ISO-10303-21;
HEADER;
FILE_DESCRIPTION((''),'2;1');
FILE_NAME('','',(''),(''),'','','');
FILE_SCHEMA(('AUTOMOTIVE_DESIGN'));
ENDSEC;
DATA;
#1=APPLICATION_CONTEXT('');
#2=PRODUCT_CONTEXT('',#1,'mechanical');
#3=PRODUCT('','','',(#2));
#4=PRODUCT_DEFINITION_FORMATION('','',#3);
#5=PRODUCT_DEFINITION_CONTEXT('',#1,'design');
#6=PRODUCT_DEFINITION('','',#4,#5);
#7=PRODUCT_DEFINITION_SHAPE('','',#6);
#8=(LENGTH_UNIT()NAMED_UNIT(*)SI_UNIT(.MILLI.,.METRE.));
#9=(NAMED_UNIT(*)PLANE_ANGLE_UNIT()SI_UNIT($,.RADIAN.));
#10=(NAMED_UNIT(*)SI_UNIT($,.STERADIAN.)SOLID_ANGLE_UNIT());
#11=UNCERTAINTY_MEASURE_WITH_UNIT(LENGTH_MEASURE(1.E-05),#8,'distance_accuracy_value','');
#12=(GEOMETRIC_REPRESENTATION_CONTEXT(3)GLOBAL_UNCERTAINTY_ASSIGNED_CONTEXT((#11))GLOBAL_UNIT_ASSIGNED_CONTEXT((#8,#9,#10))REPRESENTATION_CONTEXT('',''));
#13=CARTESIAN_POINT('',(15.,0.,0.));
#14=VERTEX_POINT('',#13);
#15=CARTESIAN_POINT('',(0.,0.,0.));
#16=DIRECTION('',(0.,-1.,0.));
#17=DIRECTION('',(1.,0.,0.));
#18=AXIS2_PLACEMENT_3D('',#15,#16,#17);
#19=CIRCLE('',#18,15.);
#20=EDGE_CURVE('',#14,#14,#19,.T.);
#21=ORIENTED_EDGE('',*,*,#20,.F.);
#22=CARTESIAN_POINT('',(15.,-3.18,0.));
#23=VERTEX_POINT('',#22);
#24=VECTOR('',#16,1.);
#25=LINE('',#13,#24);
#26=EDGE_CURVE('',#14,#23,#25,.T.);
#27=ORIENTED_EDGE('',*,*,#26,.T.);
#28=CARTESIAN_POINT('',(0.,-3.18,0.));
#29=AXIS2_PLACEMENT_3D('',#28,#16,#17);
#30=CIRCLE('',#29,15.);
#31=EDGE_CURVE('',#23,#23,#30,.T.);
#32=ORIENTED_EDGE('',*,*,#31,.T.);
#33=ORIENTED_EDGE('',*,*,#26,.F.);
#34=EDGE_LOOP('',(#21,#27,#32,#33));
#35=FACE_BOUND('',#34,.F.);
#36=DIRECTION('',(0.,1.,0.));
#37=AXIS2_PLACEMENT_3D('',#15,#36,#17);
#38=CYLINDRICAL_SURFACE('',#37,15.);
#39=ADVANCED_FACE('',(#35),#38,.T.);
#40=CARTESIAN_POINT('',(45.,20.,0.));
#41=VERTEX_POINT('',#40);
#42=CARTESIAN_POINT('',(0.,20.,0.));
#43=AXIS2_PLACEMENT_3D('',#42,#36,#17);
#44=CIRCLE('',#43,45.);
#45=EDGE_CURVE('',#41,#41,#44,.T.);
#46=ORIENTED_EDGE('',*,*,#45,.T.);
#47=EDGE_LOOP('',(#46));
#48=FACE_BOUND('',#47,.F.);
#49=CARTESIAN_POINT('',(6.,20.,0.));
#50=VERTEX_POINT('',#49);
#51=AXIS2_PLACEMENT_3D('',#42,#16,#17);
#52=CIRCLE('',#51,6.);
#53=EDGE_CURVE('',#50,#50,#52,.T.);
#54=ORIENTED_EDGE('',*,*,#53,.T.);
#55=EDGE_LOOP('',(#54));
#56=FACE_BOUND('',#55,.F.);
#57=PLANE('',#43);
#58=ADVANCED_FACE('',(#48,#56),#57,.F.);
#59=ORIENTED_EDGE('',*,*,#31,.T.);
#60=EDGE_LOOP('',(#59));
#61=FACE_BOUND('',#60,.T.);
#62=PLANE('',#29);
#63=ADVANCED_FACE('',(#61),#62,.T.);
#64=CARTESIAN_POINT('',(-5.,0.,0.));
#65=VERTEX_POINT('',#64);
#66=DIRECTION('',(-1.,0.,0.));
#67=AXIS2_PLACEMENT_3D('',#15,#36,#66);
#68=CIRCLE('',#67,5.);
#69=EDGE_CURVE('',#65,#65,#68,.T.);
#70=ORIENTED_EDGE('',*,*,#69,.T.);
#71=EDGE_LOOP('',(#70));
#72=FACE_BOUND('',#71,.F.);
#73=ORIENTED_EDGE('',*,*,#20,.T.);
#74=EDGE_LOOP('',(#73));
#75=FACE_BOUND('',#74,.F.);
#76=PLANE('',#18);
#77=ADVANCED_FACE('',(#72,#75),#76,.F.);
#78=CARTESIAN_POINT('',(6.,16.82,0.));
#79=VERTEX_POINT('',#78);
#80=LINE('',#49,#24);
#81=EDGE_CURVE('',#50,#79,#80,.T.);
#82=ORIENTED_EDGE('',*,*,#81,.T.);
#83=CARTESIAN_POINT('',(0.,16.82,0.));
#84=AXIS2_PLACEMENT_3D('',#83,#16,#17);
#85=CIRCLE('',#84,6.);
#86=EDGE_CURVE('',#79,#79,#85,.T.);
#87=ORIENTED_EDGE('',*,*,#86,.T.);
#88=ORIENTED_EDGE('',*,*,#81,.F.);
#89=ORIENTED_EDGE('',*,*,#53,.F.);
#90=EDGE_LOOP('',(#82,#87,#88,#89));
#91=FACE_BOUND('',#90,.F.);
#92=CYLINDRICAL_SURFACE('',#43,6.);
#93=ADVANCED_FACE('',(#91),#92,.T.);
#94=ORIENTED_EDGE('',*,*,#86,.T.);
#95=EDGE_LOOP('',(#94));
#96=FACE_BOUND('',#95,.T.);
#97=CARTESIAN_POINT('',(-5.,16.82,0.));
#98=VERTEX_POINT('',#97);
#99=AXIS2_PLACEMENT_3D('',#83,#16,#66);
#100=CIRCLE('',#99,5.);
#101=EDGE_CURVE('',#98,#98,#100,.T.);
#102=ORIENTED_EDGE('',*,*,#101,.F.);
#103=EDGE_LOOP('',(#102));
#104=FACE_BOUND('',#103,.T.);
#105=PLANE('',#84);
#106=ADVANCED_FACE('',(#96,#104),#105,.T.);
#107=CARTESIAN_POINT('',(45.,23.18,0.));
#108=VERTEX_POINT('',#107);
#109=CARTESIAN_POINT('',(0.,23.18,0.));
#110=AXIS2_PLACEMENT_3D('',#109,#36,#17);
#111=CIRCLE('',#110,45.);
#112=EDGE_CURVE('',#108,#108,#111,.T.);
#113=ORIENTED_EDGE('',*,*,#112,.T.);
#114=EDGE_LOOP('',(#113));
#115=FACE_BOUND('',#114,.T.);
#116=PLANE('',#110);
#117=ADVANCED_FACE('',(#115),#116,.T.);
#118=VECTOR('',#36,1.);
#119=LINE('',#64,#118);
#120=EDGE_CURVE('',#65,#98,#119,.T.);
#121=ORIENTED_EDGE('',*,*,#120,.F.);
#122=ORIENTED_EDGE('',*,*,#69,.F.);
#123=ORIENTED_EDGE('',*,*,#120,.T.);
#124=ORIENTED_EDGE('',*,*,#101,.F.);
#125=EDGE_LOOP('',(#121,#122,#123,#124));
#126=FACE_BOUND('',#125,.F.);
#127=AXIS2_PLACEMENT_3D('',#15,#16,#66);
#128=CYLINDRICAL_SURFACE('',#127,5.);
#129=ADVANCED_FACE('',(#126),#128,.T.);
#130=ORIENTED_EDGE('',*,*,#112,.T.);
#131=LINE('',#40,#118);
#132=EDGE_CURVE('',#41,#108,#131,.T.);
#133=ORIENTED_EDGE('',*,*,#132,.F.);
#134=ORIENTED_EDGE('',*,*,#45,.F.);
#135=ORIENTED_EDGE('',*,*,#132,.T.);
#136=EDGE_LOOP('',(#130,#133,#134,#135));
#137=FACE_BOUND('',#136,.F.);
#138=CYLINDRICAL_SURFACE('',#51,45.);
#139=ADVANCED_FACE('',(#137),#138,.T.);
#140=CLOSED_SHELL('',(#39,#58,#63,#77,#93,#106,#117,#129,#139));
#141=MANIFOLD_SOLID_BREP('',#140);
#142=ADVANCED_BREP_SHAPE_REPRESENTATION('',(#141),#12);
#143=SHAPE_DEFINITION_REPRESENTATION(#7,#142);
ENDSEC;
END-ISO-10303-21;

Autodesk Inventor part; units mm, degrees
ref_plane "YZ Plane" through (0, 0, 0) normal (1, 0, 0) x (0, 1, 0)
ref_plane "XZ Plane" through (0, 0, 0) normal (0, 1, 0) x (-1, 0, 0)
ref_plane "XY Plane" through (0, 0, 0) normal (0, 0, 1) x (1, 0, 0)
sketch "Sketch1" plane through (0, 0, 0) normal (0, 1, 0) x (-1, 0, 0)
  circle A0 centre (0, 0) radius 5
  dimension "d0" = 10
extrude "Extrusion1" add sketch "Sketch1" along normal blind 20
sketch "Sketch2" plane through (0, 20, 0) normal (0, 1, 0) x (1, 0, 0)
  circle A0 centre (0, 0) radius 45
  dimension "d3" = 90
extrude "Extrusion2" add sketch "Sketch2" along normal blind 3.18
sketch "Sketch3" plane through (0, 0, 0) normal (0, -1, 0) x (1, 0, 0)
  circle A0 centre (0, 0) radius 15
  dimension "d6" = 30
extrude "Extrusion3" add sketch "Sketch3" along normal blind 3.18
sketch "Sketch4" plane through (0, 20, 0) normal (0, -1, 0) x (1, 0, 0)
  circle A0 centre (0, 0) radius 6
  dimension "d9" = 12
extrude "Extrusion4" add sketch "Sketch4" along normal blind 3.18
properties part number "Base_giratorio"
